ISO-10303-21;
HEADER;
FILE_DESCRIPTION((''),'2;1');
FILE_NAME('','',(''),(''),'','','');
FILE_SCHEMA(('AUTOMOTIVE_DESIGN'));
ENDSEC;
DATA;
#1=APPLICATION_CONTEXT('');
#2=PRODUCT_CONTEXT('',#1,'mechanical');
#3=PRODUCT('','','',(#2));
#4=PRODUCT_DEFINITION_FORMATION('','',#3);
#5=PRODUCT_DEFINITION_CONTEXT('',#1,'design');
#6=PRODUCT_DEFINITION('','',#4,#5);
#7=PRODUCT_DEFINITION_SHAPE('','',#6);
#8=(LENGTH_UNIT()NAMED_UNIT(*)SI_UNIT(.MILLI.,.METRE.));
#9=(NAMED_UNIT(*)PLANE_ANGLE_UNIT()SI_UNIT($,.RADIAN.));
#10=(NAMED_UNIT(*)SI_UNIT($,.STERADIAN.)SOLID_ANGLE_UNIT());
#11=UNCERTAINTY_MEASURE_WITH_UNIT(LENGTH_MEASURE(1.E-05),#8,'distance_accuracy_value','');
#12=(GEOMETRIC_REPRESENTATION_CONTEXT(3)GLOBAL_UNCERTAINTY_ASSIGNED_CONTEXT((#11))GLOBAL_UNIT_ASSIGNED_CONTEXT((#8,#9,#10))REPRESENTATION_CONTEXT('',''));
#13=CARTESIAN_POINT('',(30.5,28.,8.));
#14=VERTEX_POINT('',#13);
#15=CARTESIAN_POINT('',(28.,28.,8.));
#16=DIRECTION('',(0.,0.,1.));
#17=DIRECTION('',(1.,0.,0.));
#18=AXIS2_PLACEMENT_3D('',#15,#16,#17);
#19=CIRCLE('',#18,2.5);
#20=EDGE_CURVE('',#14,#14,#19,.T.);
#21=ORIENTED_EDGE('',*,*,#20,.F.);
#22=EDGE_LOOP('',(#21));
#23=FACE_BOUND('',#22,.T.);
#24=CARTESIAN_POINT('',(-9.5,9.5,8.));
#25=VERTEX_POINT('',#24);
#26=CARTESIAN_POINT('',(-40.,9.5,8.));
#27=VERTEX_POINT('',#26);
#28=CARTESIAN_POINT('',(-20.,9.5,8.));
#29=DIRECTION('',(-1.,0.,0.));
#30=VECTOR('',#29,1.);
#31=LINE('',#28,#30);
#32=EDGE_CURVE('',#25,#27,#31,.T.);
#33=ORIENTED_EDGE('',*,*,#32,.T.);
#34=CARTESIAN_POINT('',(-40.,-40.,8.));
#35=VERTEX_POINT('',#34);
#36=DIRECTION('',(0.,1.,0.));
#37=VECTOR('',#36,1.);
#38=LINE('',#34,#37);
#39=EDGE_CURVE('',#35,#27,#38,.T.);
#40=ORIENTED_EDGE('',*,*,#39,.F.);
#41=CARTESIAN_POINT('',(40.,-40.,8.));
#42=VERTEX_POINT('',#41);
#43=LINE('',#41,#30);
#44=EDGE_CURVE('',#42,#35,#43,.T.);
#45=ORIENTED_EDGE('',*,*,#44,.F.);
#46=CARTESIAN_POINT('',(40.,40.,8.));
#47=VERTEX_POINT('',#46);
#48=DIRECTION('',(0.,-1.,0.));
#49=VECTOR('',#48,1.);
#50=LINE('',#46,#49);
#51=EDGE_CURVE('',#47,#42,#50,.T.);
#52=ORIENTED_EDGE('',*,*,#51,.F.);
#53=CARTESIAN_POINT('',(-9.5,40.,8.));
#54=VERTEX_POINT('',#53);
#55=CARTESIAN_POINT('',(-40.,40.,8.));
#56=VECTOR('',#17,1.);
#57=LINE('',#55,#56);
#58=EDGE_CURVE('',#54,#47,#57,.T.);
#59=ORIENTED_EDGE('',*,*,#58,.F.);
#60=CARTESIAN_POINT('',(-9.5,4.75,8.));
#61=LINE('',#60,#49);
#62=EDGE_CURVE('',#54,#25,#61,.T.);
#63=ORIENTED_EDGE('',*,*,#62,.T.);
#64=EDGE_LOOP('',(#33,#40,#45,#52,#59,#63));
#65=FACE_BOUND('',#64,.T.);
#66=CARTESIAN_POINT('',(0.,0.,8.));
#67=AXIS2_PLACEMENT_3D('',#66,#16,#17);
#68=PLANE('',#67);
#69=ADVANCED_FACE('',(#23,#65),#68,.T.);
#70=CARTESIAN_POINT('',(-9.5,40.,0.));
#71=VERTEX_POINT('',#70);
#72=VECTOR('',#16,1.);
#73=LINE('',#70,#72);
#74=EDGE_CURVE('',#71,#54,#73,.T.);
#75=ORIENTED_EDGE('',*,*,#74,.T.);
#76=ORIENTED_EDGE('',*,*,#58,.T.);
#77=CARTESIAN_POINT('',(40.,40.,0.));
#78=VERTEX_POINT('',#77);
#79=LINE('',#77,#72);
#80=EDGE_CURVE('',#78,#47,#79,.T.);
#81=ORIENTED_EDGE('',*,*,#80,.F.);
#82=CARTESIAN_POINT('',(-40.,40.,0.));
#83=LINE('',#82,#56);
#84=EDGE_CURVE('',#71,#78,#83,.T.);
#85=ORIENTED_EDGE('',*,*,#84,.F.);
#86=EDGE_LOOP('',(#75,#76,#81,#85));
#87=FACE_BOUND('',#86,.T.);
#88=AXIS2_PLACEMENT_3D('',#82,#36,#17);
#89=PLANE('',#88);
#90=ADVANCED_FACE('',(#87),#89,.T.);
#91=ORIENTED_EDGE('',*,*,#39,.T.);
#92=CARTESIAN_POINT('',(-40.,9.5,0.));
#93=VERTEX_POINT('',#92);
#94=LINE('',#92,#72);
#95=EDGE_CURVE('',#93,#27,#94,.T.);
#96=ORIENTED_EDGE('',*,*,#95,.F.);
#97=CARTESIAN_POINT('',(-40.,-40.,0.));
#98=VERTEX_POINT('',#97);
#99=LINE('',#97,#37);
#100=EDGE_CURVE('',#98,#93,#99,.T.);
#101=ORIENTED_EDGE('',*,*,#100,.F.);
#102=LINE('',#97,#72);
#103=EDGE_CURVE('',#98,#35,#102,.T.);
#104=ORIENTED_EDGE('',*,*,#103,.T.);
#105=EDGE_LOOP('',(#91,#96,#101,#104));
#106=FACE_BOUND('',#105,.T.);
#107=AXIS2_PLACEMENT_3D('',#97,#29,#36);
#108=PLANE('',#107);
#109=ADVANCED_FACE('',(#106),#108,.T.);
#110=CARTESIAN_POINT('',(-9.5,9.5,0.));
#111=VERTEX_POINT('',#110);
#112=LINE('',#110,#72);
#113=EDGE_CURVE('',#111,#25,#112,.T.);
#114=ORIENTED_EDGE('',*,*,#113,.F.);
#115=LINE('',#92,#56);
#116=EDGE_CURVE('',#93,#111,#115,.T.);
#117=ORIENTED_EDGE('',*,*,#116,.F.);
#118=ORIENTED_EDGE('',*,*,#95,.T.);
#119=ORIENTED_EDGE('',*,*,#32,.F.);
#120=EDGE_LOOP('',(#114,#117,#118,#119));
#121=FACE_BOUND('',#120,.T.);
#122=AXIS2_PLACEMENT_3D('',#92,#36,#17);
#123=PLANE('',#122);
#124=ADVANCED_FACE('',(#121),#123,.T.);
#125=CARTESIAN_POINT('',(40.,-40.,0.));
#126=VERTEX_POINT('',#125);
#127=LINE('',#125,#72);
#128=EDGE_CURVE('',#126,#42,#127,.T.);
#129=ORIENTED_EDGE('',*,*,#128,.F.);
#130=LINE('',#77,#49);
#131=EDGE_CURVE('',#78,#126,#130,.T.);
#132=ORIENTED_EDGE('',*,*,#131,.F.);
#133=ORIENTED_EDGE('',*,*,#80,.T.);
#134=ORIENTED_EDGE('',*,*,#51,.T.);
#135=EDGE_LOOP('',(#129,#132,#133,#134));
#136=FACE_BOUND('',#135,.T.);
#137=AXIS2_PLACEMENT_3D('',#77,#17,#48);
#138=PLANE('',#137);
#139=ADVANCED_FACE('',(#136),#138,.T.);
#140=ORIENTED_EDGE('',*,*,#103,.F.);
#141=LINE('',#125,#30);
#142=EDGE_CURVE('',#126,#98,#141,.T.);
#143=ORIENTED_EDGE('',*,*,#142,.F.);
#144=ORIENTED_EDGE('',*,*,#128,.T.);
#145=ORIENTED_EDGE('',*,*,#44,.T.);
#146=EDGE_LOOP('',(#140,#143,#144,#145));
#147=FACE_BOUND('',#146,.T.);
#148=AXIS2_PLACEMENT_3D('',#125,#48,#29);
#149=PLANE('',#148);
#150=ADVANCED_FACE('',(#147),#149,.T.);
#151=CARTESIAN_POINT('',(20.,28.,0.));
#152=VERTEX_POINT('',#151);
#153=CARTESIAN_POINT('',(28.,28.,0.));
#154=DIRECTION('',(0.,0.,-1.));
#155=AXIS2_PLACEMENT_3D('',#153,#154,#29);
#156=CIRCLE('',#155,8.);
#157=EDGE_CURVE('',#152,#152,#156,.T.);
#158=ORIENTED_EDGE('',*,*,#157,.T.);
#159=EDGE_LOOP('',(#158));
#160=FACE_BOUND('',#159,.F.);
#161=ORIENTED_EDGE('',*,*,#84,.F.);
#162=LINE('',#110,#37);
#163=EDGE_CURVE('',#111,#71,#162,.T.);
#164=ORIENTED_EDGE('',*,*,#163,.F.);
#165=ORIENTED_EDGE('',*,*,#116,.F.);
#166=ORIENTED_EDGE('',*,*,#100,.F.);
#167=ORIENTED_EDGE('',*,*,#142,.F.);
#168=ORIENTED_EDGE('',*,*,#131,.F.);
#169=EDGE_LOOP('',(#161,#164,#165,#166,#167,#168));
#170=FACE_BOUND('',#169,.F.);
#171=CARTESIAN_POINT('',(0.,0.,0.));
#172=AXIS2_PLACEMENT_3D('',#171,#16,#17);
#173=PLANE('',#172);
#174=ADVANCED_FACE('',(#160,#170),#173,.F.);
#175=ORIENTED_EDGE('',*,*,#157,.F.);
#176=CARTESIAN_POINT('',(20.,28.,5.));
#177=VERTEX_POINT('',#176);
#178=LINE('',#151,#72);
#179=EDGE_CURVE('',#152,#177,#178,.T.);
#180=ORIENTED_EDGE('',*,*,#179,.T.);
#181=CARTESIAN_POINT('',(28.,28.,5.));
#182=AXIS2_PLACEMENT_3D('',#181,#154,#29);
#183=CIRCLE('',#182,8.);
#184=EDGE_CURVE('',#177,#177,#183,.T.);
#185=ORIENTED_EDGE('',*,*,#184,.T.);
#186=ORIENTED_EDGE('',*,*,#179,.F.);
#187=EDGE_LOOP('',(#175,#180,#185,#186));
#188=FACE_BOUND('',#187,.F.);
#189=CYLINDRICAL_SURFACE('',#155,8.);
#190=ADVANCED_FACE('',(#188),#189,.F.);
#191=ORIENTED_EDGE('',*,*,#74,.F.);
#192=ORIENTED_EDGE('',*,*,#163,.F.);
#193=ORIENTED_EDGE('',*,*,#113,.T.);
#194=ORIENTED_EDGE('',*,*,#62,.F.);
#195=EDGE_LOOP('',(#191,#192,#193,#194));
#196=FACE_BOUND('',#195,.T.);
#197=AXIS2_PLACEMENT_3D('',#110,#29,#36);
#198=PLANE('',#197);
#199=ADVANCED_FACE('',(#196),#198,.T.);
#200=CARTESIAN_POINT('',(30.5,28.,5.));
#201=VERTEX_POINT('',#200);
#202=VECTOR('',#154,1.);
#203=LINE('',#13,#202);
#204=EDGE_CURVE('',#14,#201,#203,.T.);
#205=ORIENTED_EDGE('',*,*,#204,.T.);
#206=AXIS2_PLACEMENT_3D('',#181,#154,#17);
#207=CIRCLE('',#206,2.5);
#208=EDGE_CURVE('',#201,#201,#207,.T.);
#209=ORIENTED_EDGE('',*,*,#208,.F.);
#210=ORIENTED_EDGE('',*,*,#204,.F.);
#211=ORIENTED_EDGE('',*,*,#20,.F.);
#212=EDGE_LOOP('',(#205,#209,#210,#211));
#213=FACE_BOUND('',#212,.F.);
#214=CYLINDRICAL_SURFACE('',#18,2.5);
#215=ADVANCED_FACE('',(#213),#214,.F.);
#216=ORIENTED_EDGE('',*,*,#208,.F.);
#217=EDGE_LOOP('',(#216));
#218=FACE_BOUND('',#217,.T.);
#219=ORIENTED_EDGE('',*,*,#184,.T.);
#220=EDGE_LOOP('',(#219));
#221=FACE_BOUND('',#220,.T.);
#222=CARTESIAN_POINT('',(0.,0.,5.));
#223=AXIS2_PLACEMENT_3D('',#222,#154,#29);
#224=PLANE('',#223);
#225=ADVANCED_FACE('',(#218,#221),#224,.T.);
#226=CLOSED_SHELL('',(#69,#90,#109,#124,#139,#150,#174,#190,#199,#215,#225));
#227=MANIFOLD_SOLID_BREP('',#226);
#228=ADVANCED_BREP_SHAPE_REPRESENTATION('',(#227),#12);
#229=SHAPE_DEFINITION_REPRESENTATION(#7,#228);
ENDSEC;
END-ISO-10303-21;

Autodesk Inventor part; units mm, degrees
ref_plane "YZ Plane" through (0, 0, 0) normal (1, 0, 0) x (0, 1, 0)
ref_plane "XZ Plane" through (0, 0, 0) normal (0, 1, 0) x (-1, 0, 0)
ref_plane "XY Plane" through (0, 0, 0) normal (0, 0, 1) x (1, 0, 0)
sketch "Sketch1" plane through (0, 0, 0) normal (0, 0, 1) x (1, 0, 0)
  line L0 (-40, 40) -> (40, 40)
  line L1 (40, 40) -> (40, -40)
  line L2 (40, -40) -> (-40, -40)
  line L3 (-40, -40) -> (-40, 40)
  point P0 (0, 0)
  dimension "d0" = 80
  dimension "d1" = 80
  dimension "d4" = 40
  dimension "d5" = 40
extrude "Extrusion1" add sketch "Sketch1" along normal blind 8
sketch "Sketch2" plane through (0, 0, 8) normal (0, 0, 1) x (1, 0, 0)
  circle A0 centre (28, 28) radius 2.5
  line L0 (40, 40) -> (-40, 40) projected
  line L1 (40, -40) -> (40, 40) projected
  point P0 (0, 0)
  dimension "d6" = 5
  dimension "d7" = 12
  dimension "d8" = 12
extrude "Extrusion2" cut sketch "Sketch2" against normal through all
sketch "Sketch3" plane through (0, 0, 0) normal (0, 0, -1) x (-1, 0, 0)
  circle A0 centre (-28, 28) radius 2.5 projected
  circle A1 centre (-28, 28) radius 8
  point P0 (0, 0)
  dimension "d11" = 16
extrude "Extrusion3" cut sketch "Sketch3" against normal blind 5
sketch "Sketch4" plane through (0, 0, 0) normal (0, 0, -1) x (-1, 0, 0)
  line L0 (40, 40) -> (-40, 40) projected
  line L1 (9.5, 40) -> (40, 40)
  line L2 (40, 40) -> (40, 9.5)
  line L3 (40, 9.5) -> (9.5, 9.5)
  line L4 (9.5, 9.5) -> (9.5, 40)
  line L5 (40, 40) -> (40, -40) projected
  point P0 (0, 0)
  dimension "d14" = 30.5
  dimension "d15" = 30.5
  dimension "d16" = 0
extrude "Extrusion4" cut sketch "Sketch4" against normal through all
equation "\"d4\" = 0.5 * d0"
equation "\"d5\" = 0.5 * d1"
equation "\"d8\" = d7"
properties part number "top guide support plate"
